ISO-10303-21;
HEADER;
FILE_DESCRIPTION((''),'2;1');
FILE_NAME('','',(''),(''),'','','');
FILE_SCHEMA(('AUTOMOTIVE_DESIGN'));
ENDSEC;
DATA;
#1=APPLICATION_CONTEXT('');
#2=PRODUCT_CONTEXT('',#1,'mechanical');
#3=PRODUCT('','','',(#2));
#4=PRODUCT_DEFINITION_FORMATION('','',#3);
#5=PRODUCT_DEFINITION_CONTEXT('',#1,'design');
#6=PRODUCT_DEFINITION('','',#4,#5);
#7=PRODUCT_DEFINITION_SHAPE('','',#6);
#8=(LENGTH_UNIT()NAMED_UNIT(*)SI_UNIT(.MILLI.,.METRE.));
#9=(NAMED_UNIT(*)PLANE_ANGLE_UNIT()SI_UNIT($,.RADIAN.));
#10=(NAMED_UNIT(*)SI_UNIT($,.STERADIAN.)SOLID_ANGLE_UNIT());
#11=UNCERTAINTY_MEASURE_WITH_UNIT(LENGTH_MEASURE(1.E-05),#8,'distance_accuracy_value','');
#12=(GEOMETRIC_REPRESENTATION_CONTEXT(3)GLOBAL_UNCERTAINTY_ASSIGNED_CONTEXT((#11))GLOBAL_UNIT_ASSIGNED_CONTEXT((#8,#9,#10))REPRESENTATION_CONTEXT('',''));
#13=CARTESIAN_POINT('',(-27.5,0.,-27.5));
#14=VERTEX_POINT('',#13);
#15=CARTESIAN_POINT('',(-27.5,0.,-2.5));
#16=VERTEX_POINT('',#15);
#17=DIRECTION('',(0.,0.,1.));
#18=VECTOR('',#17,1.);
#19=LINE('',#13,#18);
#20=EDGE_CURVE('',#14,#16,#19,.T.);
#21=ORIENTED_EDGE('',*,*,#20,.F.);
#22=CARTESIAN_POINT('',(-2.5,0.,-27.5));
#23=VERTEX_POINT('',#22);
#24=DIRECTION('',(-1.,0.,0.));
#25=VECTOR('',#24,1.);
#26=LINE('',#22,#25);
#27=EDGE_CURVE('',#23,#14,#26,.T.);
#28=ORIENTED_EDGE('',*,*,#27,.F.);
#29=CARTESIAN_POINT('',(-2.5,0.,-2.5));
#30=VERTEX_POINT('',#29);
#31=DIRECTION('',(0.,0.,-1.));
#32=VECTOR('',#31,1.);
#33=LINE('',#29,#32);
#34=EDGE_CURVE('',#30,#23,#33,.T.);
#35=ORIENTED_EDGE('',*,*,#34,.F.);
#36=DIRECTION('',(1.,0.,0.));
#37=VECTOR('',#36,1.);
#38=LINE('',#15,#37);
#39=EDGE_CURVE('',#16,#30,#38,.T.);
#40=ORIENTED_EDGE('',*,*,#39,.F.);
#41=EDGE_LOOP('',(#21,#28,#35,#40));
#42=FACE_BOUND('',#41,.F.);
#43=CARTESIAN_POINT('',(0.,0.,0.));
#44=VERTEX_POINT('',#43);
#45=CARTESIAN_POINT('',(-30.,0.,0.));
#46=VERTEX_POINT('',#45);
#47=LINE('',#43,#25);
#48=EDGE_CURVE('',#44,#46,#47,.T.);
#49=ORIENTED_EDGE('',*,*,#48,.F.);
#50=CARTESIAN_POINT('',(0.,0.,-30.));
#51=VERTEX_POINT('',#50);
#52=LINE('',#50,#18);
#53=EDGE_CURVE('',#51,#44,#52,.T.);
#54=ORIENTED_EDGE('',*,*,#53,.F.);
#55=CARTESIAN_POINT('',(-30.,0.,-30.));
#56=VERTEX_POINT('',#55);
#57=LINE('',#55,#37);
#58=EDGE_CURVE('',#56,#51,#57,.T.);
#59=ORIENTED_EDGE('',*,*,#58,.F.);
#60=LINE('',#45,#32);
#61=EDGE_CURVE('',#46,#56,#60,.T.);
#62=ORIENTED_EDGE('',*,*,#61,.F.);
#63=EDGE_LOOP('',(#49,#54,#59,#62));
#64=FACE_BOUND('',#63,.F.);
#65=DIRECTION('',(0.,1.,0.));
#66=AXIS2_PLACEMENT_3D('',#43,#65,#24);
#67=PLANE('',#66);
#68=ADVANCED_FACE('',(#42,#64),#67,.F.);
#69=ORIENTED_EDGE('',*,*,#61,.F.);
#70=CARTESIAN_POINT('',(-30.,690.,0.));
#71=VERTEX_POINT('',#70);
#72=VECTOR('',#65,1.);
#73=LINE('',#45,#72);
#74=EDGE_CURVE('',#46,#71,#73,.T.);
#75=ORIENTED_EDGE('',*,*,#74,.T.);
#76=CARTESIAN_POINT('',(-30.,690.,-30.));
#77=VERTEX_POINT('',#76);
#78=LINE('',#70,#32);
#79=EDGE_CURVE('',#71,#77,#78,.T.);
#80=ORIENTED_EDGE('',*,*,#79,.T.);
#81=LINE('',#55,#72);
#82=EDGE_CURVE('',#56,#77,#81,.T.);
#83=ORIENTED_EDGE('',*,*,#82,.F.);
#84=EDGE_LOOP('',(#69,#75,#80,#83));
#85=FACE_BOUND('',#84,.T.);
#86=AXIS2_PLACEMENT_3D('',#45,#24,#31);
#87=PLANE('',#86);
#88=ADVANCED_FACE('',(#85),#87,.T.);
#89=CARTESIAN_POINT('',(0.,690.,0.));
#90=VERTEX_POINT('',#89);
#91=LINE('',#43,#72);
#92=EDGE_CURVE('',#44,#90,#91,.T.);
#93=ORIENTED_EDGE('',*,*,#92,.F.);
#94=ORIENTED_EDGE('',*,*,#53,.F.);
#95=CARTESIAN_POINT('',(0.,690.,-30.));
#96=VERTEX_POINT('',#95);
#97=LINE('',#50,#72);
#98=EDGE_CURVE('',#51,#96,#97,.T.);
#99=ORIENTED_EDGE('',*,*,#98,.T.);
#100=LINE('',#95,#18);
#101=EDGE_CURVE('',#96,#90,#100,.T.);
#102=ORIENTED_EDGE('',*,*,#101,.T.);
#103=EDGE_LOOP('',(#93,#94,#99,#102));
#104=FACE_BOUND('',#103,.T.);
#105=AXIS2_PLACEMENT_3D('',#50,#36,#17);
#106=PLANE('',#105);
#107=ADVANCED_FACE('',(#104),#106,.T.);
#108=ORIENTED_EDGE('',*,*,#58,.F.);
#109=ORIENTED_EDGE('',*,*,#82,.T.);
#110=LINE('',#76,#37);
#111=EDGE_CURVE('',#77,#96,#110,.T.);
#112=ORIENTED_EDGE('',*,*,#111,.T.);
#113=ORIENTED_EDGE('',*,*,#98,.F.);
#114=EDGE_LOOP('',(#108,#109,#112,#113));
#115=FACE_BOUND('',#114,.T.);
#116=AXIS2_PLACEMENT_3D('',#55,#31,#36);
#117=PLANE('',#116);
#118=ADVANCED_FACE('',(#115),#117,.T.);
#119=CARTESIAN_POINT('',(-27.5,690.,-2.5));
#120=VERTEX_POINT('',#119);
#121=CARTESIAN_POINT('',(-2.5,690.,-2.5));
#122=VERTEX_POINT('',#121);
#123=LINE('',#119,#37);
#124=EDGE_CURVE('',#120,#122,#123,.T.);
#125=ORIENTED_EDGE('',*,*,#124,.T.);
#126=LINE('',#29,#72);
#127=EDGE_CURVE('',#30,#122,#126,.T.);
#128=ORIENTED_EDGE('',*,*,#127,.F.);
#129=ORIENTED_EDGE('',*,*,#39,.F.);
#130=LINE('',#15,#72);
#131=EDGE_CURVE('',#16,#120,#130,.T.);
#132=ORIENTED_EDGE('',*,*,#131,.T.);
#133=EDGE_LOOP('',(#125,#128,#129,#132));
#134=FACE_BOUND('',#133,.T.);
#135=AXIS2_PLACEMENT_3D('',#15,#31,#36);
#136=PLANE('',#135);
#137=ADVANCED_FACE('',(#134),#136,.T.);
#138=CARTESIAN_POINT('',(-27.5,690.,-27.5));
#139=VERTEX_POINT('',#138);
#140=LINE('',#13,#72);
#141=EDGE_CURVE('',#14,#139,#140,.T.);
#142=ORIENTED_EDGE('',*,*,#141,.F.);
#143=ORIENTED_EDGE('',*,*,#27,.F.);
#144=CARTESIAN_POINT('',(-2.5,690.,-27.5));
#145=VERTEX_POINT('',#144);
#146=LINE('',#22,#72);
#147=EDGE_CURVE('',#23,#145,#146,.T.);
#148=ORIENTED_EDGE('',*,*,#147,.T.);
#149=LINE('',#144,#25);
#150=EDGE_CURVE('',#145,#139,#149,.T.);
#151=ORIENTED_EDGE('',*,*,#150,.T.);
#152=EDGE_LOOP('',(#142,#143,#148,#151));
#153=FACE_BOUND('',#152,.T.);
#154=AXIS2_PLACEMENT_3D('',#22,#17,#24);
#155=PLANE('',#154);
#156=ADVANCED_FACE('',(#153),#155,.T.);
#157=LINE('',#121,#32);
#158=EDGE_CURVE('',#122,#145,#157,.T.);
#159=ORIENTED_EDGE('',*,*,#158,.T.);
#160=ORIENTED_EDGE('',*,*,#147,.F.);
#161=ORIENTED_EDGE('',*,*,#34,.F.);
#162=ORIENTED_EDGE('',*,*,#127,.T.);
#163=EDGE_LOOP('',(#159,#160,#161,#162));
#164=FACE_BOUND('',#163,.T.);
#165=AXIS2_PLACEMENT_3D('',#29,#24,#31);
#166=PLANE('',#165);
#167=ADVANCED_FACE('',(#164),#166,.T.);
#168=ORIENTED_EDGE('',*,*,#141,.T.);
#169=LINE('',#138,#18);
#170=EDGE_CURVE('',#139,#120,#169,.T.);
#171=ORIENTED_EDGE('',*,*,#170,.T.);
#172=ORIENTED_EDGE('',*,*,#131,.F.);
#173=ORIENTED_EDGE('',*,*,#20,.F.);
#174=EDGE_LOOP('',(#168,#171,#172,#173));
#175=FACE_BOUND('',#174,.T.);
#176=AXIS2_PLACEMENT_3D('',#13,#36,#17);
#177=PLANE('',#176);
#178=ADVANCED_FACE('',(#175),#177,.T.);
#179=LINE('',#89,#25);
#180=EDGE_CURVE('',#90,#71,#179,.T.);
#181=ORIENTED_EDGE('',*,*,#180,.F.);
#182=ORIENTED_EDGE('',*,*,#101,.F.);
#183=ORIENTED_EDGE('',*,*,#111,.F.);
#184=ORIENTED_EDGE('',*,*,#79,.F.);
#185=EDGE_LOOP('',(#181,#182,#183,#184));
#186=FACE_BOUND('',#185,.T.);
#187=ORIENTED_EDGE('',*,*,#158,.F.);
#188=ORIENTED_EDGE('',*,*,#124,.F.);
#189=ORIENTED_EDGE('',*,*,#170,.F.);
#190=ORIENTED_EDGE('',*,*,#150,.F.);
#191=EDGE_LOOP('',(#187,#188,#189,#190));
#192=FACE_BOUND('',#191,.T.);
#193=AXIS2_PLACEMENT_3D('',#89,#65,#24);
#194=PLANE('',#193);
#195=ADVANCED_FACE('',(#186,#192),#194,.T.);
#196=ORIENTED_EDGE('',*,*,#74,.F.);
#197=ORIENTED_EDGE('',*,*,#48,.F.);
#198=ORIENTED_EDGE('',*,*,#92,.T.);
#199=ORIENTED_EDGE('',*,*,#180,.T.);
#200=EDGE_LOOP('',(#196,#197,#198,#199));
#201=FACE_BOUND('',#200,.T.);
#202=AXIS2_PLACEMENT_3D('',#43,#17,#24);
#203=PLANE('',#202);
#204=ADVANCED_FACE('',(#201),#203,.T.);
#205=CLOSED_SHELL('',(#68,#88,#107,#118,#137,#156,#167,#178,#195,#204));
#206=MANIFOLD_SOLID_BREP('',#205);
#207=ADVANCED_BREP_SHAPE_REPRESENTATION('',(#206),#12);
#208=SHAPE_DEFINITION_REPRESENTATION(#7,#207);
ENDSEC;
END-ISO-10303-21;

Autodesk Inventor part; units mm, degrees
ref_plane "YZ Plane" through (0, 0, 0) normal (1, 0, 0) x (0, 1, 0)
ref_plane "XZ Plane" through (0, 0, 0) normal (0, 1, 0) x (-1, 0, 0)
ref_plane "XY Plane" through (0, 0, 0) normal (0, 0, 1) x (1, 0, 0)
sketch "Sketch1" plane through (0, 0, 0) normal (0, 1, 0) x (-1, 0, 0)
  line L0 (0, 0) -> (30, 0)
  line L1 (30, 0) -> (30, -30)
  line L2 (30, -30) -> (0, -30)
  line L3 (0, -30) -> (0, 0)
  line L4 (30, -15) -> (0, -15) construction
  line L5 (15, -30) -> (15, 0) construction
  line L6 (27.5, -2.5) -> (2.5, -2.5)
  line L7 (2.5, -2.5) -> (2.5, -27.5)
  line L8 (2.5, -27.5) -> (27.5, -27.5)
  line L9 (27.5, -27.5) -> (27.5, -2.5)
  dimension "d0" = 30
  dimension "d1" = 30
  dimension "d2" = 2.5
  dimension "d3" = 2.5
extrude "Extrusion1" add sketch "Sketch1" along normal blind 690
equation "\"d0\" = d1"
equation "\"d3\" = d2"
properties part number "690mm_box_section" material "Steel, Mild"
